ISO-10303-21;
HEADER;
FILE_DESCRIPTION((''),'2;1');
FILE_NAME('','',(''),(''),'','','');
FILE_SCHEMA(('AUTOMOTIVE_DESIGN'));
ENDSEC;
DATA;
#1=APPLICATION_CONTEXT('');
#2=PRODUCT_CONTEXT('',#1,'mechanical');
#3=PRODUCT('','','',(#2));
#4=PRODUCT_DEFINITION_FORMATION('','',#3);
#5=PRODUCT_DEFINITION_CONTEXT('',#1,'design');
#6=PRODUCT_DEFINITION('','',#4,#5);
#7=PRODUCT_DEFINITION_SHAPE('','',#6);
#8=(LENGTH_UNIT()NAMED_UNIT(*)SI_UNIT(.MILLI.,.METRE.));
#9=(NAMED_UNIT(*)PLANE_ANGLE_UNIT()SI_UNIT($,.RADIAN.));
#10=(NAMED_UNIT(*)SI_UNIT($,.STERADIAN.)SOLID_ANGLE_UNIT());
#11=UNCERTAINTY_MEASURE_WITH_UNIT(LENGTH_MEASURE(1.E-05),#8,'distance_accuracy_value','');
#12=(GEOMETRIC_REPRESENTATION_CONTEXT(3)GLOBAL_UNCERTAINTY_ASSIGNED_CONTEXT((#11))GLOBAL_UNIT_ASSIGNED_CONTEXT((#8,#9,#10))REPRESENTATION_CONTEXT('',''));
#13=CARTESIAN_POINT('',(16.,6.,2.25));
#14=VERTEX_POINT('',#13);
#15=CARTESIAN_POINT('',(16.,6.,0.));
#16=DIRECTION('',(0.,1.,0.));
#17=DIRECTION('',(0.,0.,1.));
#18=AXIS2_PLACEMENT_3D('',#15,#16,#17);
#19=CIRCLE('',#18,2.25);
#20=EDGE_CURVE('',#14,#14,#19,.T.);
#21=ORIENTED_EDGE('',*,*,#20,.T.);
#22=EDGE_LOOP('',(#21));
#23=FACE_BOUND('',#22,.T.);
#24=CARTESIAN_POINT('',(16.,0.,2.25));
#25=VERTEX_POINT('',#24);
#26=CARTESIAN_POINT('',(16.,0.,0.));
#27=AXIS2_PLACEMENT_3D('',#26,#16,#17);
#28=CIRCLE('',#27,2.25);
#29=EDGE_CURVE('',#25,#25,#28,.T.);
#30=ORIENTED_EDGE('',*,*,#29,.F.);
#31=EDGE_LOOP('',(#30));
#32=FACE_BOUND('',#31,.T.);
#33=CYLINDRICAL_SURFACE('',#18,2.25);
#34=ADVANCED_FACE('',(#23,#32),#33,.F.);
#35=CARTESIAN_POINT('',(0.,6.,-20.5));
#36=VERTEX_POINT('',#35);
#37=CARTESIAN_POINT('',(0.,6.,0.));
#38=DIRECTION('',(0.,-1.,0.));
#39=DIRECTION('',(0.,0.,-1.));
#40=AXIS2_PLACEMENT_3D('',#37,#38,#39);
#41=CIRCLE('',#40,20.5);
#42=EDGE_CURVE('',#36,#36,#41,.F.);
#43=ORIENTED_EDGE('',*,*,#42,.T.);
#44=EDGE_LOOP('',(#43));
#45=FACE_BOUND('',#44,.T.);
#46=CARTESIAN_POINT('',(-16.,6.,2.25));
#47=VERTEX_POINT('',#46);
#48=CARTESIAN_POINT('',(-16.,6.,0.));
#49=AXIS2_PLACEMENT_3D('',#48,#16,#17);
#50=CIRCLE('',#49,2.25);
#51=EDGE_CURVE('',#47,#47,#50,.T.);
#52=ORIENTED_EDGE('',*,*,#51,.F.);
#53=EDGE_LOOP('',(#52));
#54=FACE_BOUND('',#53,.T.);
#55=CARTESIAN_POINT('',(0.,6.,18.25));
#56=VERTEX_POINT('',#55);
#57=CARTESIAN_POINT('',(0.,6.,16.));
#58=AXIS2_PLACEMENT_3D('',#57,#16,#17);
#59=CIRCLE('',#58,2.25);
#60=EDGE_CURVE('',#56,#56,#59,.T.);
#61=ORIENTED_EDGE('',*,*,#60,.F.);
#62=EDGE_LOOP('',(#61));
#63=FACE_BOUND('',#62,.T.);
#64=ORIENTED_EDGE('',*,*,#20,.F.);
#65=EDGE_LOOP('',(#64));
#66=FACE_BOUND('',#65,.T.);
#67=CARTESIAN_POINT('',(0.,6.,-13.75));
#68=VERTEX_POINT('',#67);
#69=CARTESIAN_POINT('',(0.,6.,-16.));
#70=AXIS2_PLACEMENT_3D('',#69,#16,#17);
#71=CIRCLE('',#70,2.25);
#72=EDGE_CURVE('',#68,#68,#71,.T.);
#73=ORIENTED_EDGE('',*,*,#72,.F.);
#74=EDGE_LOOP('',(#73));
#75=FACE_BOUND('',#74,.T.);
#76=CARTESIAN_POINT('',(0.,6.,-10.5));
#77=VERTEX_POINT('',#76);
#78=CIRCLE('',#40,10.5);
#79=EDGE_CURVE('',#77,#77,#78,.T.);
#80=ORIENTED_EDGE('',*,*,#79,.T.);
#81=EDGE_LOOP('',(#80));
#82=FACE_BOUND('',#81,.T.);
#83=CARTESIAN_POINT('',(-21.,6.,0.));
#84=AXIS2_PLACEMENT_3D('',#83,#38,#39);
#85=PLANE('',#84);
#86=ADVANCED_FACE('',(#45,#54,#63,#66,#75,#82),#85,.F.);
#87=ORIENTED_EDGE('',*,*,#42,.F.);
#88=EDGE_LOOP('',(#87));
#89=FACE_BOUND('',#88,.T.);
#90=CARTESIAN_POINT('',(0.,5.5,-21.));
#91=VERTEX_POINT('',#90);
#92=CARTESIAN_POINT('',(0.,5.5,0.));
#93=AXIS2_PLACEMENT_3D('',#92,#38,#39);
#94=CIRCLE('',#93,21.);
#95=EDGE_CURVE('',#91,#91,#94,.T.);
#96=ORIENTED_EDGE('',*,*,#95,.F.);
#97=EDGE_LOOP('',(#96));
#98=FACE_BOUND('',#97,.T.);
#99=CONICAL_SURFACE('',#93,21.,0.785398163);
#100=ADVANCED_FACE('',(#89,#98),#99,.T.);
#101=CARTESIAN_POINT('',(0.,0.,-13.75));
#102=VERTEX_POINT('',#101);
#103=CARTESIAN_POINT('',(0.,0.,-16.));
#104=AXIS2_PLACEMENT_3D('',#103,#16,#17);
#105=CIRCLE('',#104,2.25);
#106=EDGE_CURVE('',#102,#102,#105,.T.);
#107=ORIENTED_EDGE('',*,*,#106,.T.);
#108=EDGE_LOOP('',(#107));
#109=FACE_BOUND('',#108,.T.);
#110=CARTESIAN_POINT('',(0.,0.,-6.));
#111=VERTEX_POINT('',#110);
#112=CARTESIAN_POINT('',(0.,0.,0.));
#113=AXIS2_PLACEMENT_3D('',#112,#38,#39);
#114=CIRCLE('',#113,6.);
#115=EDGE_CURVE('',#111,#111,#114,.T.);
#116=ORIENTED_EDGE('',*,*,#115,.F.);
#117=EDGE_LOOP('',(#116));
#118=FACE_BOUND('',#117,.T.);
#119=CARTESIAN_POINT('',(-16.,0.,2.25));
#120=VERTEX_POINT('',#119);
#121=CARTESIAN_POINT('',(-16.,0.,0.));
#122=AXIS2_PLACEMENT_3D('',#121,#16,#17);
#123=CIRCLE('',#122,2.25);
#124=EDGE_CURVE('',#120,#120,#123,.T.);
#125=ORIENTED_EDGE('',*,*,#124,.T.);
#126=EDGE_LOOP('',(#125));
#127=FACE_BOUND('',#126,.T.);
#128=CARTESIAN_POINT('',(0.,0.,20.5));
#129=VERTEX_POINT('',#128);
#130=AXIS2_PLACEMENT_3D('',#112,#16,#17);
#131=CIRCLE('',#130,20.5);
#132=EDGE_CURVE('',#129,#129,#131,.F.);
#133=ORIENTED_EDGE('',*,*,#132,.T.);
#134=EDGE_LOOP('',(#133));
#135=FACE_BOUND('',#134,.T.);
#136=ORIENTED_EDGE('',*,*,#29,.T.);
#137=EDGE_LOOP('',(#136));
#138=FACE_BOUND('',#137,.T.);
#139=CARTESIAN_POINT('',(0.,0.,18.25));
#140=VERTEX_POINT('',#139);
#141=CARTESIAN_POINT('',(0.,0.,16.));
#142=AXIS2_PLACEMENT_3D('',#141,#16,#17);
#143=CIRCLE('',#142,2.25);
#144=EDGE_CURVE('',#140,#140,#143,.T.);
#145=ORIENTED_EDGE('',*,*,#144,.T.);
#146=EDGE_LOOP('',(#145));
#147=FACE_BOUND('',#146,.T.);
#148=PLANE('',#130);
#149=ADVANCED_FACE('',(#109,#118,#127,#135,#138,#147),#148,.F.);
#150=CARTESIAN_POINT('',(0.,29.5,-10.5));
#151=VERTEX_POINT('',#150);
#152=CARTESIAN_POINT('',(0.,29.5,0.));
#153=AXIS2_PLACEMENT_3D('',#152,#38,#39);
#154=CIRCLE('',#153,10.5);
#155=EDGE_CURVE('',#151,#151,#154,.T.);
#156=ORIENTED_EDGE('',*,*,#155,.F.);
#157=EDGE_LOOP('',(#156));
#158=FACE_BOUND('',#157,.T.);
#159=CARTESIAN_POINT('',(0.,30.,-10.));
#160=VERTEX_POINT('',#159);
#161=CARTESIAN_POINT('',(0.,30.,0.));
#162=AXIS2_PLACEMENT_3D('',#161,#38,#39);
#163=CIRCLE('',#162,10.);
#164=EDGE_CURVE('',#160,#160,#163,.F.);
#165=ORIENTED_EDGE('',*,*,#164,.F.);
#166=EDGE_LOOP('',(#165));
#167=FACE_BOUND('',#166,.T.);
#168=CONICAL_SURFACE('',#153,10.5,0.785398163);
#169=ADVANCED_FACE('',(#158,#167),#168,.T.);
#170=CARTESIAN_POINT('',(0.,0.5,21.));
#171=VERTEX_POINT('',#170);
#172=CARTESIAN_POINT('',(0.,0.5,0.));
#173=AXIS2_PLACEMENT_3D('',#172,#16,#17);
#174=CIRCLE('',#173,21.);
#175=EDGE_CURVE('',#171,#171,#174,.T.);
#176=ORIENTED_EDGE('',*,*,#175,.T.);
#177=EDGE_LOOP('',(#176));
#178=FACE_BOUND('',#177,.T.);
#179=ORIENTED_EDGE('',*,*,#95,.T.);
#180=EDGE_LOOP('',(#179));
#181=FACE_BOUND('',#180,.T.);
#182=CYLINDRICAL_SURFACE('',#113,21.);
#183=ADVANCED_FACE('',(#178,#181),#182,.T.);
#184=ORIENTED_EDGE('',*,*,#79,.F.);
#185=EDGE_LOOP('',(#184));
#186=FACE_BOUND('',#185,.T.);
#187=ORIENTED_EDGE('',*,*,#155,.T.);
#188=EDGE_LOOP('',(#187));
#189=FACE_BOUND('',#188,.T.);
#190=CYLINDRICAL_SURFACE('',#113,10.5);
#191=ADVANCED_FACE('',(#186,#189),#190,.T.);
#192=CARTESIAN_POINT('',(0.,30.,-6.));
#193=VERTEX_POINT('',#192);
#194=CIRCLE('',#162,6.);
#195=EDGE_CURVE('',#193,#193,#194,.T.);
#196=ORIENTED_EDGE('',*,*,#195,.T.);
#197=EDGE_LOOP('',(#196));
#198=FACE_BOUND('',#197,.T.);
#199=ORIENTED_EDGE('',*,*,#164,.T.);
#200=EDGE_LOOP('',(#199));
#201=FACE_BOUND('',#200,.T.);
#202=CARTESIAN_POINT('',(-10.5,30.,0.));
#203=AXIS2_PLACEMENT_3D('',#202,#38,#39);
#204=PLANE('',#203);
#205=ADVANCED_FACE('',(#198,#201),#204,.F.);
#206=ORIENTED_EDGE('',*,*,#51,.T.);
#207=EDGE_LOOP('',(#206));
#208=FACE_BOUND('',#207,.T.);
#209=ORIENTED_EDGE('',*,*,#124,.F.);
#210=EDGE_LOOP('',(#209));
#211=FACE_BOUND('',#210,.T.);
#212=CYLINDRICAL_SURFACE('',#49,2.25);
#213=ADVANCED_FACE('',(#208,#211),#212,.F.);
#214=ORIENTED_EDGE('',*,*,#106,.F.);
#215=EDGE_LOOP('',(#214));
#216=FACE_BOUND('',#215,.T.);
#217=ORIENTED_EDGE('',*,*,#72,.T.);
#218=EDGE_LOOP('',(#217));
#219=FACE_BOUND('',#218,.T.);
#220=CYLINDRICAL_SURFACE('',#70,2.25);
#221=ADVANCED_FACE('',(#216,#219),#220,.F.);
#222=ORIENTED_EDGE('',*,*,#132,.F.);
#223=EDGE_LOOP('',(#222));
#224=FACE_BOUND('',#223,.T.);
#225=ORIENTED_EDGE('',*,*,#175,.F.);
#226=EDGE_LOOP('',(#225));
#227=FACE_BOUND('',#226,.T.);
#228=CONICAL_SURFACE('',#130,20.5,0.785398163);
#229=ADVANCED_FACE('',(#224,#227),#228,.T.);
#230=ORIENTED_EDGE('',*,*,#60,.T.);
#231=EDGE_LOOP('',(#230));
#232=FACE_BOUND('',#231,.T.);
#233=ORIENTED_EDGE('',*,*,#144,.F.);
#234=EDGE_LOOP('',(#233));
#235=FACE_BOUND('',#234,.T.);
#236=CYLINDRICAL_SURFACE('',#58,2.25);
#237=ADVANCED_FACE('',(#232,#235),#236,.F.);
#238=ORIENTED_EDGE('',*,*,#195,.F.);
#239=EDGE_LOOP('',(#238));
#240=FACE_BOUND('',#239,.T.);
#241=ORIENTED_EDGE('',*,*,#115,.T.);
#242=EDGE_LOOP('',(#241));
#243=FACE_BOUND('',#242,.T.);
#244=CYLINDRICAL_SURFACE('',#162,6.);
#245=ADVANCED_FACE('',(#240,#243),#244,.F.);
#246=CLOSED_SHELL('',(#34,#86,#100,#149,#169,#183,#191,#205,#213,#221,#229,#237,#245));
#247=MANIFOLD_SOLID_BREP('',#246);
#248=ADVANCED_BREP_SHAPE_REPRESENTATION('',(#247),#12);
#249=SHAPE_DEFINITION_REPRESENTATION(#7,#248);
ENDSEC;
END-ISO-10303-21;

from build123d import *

# Parameters (mm, degrees)
SKETCH2_R             = 6
CUT_EXTRUDE1_DEPTH    = 43.213741838
HOLE_WIZARD_M41_D     = 4.5
HOLE_WIZARD_M41_DEPTH = 22
HOLE_WIZARD_M41_TIP   = 1.351936393
CHAMFER1_SIZE         = 0.5


with BuildPart() as part:
    # Sketch1 → Revolve1 (revolve)
    with BuildSketch(Plane.XY, mode=Mode.PRIVATE) as revolve1_sk:
        Polygon((0, 0), (-21, 0), (-21, 6), (-10.5, 6), (-10.5, 30), (0, 30), align=None)
    revolve(revolve1_sk.sketch.rotate(Axis((0, 0, 0), (0, 1, 0)), 270), axis=Axis((0, 0, 0), (0, 1, 0)))

    # Sketch2 → Cut-Extrude1 (cut, through all)
    with BuildSketch(Plane.XZ):
        with Locations(Location((0, 0, 0), (0, 0, 270))):
            Circle(SKETCH2_R)
    extrude(amount=-CUT_EXTRUDE1_DEPTH, mode=Mode.SUBTRACT)

    # Отверстие с зазором M41
    with Locations(Plane(origin=(0, 6, 0), x_dir=(1, 0, 0), z_dir=(0, 1, 0))):
        with Locations((0, 16), (16, 0), (0, -16), (-16, 0)):
            Hole(HOLE_WIZARD_M41_D / 2, depth=HOLE_WIZARD_M41_DEPTH)
            with Locations((0, 0, -(HOLE_WIZARD_M41_DEPTH + HOLE_WIZARD_M41_TIP / 2))):  # 118° drill point
                Cone(0, HOLE_WIZARD_M41_D / 2, HOLE_WIZARD_M41_TIP, mode=Mode.SUBTRACT)

    # Chamfer1
    chamfer1_edges = [part.edges().sort_by_distance(p)[0] for p in [
        (0, 30, 10.5),
        (0, 6, 21),
        (0, 0, 21),
    ]]
    chamfer(chamfer1_edges, length=CHAMFER1_SIZE)


solid = part.part
